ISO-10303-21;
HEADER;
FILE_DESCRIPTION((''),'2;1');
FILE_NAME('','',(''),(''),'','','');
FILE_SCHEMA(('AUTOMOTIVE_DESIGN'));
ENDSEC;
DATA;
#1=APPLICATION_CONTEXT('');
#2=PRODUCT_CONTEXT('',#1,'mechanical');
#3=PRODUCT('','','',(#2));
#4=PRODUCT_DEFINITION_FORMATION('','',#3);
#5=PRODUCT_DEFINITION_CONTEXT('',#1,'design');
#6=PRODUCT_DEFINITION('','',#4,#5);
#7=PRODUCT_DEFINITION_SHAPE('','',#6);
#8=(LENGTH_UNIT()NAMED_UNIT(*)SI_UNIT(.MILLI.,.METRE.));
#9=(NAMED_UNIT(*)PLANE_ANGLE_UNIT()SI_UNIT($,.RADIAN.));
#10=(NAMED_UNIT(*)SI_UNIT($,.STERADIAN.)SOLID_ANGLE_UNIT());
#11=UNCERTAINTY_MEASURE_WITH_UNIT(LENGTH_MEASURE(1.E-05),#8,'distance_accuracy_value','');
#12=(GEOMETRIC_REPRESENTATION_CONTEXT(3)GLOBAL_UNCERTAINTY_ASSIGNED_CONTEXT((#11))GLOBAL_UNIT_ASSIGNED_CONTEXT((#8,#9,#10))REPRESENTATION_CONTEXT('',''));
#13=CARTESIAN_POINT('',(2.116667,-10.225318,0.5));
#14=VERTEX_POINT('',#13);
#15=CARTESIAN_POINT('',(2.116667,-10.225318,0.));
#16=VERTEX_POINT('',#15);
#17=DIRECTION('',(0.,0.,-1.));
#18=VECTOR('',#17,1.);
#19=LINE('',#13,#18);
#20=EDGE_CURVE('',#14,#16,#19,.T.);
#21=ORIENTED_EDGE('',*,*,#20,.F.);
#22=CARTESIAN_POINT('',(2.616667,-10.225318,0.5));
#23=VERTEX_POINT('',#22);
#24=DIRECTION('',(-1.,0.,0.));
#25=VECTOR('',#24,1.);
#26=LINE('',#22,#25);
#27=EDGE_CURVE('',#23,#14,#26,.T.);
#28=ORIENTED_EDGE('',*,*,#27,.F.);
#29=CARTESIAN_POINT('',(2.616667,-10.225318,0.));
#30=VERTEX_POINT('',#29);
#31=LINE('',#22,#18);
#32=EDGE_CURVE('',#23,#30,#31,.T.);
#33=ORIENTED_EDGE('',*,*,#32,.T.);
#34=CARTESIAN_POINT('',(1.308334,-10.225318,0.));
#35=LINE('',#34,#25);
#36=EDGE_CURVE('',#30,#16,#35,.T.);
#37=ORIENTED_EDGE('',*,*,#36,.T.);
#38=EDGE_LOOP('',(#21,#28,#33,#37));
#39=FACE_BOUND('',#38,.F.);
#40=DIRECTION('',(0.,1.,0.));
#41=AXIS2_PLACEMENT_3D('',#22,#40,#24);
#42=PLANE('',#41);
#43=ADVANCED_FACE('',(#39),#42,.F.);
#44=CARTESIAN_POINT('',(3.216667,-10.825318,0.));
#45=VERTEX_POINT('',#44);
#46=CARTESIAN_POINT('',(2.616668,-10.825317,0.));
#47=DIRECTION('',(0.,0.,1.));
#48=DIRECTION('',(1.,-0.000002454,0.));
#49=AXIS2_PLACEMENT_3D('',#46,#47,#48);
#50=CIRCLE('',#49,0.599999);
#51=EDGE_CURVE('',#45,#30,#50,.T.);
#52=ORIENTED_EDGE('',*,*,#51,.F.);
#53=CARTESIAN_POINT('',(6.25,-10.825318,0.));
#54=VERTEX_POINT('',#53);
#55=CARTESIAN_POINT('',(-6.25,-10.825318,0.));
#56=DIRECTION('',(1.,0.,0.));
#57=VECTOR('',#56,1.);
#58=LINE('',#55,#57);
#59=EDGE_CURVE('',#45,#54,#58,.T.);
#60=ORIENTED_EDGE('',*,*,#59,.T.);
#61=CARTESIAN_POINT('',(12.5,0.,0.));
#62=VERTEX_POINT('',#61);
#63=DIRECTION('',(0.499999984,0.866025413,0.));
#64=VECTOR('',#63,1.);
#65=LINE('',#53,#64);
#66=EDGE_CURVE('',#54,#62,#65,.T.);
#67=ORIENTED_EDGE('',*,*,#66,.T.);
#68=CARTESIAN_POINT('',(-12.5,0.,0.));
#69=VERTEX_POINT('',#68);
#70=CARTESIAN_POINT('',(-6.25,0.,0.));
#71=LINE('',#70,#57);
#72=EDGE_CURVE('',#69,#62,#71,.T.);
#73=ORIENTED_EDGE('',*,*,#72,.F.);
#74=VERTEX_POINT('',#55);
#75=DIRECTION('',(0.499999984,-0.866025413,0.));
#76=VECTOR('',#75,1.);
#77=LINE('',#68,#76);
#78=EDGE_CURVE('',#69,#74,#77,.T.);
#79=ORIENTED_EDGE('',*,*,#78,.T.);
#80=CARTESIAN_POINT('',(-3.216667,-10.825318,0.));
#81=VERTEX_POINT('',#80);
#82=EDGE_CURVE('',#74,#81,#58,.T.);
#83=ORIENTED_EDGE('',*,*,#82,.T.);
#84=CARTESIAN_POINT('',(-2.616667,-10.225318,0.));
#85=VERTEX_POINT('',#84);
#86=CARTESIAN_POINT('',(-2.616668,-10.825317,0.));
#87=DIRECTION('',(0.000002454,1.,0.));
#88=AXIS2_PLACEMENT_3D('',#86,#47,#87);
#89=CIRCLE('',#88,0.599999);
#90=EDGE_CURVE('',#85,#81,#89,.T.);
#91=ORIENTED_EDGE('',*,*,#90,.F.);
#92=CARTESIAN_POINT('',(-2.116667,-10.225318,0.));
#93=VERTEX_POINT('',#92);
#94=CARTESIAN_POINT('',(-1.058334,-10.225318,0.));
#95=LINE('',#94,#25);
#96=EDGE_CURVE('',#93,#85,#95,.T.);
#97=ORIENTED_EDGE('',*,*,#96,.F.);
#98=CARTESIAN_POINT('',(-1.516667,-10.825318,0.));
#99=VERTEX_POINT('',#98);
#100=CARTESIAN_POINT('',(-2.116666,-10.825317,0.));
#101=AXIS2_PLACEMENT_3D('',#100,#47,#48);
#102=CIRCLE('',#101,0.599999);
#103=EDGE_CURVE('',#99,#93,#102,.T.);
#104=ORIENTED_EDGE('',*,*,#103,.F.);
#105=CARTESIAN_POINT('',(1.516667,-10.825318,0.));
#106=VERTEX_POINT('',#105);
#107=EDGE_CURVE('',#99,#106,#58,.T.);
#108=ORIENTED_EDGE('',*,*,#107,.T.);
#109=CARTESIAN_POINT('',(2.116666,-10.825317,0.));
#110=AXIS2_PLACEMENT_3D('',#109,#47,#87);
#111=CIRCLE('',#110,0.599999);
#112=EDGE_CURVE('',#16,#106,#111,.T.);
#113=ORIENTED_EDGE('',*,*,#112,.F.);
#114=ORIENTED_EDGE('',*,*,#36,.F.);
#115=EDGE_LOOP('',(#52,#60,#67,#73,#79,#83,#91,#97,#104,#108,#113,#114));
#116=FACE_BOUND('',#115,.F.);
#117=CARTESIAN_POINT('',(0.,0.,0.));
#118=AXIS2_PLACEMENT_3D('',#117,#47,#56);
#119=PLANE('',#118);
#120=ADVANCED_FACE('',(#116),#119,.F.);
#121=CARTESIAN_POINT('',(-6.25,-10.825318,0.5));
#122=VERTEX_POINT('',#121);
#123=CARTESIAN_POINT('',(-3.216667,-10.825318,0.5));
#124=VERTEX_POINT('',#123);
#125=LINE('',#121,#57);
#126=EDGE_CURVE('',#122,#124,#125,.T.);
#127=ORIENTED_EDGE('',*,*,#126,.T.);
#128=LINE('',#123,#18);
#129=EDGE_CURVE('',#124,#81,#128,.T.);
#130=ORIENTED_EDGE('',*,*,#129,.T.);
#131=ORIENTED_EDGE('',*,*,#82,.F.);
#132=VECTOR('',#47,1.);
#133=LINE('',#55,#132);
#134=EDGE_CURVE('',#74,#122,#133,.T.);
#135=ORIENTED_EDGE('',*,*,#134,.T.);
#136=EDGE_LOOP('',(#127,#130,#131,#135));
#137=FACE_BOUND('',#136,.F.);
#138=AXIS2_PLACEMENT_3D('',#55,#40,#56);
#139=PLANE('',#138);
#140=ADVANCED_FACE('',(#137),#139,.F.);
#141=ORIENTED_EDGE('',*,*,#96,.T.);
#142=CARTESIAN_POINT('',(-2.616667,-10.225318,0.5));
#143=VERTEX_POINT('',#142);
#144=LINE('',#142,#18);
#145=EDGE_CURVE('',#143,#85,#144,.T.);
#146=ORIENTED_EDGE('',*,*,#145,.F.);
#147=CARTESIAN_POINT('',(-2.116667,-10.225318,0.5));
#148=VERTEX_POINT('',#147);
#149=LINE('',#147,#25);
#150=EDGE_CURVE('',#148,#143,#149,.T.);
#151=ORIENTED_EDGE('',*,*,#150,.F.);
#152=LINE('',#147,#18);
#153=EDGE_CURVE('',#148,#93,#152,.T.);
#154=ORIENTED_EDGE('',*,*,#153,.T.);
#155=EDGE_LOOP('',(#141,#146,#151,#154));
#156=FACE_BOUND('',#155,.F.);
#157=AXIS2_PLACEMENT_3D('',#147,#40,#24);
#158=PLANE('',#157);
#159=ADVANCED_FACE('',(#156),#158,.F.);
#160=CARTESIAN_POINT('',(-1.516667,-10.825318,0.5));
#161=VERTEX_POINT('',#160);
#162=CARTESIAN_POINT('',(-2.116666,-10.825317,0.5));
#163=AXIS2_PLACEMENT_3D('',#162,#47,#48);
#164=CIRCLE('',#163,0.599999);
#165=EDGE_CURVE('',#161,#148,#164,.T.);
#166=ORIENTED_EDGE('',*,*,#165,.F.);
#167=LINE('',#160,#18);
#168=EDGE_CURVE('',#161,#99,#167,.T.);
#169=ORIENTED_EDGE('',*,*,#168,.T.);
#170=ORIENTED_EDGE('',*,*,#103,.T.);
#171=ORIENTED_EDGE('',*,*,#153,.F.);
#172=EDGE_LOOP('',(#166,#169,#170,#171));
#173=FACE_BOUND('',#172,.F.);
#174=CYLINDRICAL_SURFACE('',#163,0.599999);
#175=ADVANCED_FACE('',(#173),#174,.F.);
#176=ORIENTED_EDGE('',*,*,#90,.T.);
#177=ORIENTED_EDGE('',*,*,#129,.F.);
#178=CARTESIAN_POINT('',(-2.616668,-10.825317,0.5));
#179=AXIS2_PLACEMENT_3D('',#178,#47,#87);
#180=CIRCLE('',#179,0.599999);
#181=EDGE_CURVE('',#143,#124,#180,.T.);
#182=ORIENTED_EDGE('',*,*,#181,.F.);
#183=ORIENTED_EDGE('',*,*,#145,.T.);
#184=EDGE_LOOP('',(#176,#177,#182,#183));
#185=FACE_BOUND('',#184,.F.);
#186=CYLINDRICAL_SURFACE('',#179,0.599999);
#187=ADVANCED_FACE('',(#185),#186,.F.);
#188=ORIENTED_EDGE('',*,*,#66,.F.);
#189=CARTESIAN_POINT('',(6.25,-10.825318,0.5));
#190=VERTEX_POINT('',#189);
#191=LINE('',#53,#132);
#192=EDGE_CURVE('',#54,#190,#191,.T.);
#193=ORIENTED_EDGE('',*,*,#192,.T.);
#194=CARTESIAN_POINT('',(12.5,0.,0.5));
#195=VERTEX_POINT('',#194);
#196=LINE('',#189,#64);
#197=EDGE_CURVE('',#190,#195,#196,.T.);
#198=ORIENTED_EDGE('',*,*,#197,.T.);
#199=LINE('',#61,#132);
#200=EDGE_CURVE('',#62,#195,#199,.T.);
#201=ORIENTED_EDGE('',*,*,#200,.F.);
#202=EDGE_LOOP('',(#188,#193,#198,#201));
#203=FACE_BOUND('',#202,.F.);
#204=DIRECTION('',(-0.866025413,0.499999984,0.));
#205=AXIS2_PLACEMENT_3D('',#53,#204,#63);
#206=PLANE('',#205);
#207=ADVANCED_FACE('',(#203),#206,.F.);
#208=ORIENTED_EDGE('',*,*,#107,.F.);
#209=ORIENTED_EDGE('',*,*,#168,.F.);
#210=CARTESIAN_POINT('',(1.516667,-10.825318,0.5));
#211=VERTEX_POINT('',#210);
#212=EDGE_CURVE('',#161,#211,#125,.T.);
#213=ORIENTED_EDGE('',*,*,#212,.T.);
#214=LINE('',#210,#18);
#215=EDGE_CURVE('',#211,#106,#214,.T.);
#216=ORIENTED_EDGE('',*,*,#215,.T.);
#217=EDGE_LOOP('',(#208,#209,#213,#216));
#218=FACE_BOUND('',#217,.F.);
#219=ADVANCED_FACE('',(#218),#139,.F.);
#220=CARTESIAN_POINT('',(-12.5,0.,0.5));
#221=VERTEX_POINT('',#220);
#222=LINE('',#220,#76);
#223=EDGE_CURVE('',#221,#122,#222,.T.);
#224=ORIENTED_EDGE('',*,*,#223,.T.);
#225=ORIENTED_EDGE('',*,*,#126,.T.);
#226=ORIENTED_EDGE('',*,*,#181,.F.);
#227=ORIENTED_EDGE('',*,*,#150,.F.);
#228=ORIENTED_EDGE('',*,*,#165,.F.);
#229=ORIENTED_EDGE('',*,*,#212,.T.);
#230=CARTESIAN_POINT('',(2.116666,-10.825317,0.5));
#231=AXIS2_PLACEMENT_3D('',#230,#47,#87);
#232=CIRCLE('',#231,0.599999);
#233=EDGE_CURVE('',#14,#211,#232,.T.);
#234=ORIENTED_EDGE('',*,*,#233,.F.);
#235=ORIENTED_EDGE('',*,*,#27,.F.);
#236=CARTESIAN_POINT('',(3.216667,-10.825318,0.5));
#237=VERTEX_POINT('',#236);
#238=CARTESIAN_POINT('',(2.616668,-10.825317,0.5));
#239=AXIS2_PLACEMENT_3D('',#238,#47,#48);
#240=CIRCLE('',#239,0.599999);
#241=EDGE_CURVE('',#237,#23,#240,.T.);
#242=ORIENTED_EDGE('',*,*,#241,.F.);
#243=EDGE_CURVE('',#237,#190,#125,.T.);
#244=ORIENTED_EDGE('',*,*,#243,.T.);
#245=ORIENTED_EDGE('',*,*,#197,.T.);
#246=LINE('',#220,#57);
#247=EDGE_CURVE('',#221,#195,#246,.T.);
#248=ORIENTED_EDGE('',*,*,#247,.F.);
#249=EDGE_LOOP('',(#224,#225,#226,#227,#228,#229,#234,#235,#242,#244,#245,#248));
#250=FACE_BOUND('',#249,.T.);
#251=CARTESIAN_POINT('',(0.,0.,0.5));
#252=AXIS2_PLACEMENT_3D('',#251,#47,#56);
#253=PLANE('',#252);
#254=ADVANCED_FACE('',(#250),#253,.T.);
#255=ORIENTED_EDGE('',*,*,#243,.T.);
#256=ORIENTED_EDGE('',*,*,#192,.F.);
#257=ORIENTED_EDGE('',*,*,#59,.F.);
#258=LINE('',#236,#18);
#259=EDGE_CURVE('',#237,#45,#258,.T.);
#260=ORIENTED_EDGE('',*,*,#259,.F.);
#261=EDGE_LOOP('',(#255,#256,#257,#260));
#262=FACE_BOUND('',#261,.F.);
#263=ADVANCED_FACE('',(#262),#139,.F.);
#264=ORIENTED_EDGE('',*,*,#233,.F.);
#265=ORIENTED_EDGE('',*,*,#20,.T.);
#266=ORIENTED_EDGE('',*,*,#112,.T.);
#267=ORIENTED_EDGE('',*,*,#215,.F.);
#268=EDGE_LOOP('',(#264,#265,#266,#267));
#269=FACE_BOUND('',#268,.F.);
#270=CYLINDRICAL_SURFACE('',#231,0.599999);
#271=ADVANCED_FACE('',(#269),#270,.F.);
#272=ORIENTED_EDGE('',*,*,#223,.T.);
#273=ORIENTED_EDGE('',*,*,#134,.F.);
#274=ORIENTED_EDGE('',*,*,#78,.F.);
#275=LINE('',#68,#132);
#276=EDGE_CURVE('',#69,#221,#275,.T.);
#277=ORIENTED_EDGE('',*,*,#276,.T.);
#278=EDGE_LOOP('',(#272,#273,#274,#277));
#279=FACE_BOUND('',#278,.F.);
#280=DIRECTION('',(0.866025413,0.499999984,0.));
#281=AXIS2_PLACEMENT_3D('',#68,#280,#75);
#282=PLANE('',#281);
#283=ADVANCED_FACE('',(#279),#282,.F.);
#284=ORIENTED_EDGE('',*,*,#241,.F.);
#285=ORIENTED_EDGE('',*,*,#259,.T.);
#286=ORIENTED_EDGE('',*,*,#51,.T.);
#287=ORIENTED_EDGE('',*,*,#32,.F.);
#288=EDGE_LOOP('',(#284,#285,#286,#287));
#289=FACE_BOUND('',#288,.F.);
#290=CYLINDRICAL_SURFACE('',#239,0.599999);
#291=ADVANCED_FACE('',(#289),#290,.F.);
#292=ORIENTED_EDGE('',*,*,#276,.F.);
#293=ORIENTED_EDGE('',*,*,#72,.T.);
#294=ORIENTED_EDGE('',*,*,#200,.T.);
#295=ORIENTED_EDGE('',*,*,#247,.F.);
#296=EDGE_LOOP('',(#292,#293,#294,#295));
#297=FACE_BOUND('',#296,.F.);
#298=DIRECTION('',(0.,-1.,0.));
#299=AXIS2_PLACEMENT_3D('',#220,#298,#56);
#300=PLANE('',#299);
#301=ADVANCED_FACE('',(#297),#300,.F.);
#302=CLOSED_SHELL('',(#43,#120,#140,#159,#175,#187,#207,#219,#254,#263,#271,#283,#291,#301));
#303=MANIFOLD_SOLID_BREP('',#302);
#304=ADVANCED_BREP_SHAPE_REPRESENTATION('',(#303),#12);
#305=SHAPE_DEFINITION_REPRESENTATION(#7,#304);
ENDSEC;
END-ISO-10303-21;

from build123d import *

# Parameters (mm, degrees)
F1_DEPTH = 0.5
F3_DEPTH = 0.501
F5_DEPTH = 0.501


with BuildPart() as f1:
    # F0 (on Top) → F1 (new body)
    with BuildSketch(Plane.XY):
        Polygon((6.25, -10.825318), (12.5, 0), (6.25, 10.825318), (-6.25, 10.825318), (-12.5, 0), (-6.25, -10.825318), align=None)
    extrude(amount=F1_DEPTH)

    # F2 (on face) → F3 (cut, through all)
    with BuildSketch(Plane.XY.offset(0.5)):
        with BuildLine():
            ThreePointArc((3.216667, -10.825318), (3.040931, -10.401053), (2.616667, -10.225318))
            Line((2.616667, -10.225318), (2.116667, -10.225318))
            ThreePointArc((2.116667, -10.225318), (1.692403, -10.401053), (1.516667, -10.825318))
            Line((1.516667, -10.825318), (3.216667, -10.825318))
        make_face()
        with BuildLine():
            Line((-3.216667, -10.825318), (-1.516667, -10.825318))
            ThreePointArc((-1.516667, -10.825318), (-1.692403, -10.401053), (-2.116667, -10.225318))
            Line((-2.116667, -10.225318), (-2.616667, -10.225318))
            ThreePointArc((-2.616667, -10.225318), (-3.040931, -10.401053), (-3.216667, -10.825318))
        make_face()
    extrude(amount=-F3_DEPTH, mode=Mode.SUBTRACT)

    # F4 (on face) → F5 (cut, through all)
    with BuildSketch(Plane.XY.offset(0.5)):
        Polygon((-6.25, 10.825318), (-12.5, 0), (12.5, 0), (6.25, 10.825318), align=None)
    extrude(amount=-F5_DEPTH, mode=Mode.SUBTRACT)


solid = f1.part
